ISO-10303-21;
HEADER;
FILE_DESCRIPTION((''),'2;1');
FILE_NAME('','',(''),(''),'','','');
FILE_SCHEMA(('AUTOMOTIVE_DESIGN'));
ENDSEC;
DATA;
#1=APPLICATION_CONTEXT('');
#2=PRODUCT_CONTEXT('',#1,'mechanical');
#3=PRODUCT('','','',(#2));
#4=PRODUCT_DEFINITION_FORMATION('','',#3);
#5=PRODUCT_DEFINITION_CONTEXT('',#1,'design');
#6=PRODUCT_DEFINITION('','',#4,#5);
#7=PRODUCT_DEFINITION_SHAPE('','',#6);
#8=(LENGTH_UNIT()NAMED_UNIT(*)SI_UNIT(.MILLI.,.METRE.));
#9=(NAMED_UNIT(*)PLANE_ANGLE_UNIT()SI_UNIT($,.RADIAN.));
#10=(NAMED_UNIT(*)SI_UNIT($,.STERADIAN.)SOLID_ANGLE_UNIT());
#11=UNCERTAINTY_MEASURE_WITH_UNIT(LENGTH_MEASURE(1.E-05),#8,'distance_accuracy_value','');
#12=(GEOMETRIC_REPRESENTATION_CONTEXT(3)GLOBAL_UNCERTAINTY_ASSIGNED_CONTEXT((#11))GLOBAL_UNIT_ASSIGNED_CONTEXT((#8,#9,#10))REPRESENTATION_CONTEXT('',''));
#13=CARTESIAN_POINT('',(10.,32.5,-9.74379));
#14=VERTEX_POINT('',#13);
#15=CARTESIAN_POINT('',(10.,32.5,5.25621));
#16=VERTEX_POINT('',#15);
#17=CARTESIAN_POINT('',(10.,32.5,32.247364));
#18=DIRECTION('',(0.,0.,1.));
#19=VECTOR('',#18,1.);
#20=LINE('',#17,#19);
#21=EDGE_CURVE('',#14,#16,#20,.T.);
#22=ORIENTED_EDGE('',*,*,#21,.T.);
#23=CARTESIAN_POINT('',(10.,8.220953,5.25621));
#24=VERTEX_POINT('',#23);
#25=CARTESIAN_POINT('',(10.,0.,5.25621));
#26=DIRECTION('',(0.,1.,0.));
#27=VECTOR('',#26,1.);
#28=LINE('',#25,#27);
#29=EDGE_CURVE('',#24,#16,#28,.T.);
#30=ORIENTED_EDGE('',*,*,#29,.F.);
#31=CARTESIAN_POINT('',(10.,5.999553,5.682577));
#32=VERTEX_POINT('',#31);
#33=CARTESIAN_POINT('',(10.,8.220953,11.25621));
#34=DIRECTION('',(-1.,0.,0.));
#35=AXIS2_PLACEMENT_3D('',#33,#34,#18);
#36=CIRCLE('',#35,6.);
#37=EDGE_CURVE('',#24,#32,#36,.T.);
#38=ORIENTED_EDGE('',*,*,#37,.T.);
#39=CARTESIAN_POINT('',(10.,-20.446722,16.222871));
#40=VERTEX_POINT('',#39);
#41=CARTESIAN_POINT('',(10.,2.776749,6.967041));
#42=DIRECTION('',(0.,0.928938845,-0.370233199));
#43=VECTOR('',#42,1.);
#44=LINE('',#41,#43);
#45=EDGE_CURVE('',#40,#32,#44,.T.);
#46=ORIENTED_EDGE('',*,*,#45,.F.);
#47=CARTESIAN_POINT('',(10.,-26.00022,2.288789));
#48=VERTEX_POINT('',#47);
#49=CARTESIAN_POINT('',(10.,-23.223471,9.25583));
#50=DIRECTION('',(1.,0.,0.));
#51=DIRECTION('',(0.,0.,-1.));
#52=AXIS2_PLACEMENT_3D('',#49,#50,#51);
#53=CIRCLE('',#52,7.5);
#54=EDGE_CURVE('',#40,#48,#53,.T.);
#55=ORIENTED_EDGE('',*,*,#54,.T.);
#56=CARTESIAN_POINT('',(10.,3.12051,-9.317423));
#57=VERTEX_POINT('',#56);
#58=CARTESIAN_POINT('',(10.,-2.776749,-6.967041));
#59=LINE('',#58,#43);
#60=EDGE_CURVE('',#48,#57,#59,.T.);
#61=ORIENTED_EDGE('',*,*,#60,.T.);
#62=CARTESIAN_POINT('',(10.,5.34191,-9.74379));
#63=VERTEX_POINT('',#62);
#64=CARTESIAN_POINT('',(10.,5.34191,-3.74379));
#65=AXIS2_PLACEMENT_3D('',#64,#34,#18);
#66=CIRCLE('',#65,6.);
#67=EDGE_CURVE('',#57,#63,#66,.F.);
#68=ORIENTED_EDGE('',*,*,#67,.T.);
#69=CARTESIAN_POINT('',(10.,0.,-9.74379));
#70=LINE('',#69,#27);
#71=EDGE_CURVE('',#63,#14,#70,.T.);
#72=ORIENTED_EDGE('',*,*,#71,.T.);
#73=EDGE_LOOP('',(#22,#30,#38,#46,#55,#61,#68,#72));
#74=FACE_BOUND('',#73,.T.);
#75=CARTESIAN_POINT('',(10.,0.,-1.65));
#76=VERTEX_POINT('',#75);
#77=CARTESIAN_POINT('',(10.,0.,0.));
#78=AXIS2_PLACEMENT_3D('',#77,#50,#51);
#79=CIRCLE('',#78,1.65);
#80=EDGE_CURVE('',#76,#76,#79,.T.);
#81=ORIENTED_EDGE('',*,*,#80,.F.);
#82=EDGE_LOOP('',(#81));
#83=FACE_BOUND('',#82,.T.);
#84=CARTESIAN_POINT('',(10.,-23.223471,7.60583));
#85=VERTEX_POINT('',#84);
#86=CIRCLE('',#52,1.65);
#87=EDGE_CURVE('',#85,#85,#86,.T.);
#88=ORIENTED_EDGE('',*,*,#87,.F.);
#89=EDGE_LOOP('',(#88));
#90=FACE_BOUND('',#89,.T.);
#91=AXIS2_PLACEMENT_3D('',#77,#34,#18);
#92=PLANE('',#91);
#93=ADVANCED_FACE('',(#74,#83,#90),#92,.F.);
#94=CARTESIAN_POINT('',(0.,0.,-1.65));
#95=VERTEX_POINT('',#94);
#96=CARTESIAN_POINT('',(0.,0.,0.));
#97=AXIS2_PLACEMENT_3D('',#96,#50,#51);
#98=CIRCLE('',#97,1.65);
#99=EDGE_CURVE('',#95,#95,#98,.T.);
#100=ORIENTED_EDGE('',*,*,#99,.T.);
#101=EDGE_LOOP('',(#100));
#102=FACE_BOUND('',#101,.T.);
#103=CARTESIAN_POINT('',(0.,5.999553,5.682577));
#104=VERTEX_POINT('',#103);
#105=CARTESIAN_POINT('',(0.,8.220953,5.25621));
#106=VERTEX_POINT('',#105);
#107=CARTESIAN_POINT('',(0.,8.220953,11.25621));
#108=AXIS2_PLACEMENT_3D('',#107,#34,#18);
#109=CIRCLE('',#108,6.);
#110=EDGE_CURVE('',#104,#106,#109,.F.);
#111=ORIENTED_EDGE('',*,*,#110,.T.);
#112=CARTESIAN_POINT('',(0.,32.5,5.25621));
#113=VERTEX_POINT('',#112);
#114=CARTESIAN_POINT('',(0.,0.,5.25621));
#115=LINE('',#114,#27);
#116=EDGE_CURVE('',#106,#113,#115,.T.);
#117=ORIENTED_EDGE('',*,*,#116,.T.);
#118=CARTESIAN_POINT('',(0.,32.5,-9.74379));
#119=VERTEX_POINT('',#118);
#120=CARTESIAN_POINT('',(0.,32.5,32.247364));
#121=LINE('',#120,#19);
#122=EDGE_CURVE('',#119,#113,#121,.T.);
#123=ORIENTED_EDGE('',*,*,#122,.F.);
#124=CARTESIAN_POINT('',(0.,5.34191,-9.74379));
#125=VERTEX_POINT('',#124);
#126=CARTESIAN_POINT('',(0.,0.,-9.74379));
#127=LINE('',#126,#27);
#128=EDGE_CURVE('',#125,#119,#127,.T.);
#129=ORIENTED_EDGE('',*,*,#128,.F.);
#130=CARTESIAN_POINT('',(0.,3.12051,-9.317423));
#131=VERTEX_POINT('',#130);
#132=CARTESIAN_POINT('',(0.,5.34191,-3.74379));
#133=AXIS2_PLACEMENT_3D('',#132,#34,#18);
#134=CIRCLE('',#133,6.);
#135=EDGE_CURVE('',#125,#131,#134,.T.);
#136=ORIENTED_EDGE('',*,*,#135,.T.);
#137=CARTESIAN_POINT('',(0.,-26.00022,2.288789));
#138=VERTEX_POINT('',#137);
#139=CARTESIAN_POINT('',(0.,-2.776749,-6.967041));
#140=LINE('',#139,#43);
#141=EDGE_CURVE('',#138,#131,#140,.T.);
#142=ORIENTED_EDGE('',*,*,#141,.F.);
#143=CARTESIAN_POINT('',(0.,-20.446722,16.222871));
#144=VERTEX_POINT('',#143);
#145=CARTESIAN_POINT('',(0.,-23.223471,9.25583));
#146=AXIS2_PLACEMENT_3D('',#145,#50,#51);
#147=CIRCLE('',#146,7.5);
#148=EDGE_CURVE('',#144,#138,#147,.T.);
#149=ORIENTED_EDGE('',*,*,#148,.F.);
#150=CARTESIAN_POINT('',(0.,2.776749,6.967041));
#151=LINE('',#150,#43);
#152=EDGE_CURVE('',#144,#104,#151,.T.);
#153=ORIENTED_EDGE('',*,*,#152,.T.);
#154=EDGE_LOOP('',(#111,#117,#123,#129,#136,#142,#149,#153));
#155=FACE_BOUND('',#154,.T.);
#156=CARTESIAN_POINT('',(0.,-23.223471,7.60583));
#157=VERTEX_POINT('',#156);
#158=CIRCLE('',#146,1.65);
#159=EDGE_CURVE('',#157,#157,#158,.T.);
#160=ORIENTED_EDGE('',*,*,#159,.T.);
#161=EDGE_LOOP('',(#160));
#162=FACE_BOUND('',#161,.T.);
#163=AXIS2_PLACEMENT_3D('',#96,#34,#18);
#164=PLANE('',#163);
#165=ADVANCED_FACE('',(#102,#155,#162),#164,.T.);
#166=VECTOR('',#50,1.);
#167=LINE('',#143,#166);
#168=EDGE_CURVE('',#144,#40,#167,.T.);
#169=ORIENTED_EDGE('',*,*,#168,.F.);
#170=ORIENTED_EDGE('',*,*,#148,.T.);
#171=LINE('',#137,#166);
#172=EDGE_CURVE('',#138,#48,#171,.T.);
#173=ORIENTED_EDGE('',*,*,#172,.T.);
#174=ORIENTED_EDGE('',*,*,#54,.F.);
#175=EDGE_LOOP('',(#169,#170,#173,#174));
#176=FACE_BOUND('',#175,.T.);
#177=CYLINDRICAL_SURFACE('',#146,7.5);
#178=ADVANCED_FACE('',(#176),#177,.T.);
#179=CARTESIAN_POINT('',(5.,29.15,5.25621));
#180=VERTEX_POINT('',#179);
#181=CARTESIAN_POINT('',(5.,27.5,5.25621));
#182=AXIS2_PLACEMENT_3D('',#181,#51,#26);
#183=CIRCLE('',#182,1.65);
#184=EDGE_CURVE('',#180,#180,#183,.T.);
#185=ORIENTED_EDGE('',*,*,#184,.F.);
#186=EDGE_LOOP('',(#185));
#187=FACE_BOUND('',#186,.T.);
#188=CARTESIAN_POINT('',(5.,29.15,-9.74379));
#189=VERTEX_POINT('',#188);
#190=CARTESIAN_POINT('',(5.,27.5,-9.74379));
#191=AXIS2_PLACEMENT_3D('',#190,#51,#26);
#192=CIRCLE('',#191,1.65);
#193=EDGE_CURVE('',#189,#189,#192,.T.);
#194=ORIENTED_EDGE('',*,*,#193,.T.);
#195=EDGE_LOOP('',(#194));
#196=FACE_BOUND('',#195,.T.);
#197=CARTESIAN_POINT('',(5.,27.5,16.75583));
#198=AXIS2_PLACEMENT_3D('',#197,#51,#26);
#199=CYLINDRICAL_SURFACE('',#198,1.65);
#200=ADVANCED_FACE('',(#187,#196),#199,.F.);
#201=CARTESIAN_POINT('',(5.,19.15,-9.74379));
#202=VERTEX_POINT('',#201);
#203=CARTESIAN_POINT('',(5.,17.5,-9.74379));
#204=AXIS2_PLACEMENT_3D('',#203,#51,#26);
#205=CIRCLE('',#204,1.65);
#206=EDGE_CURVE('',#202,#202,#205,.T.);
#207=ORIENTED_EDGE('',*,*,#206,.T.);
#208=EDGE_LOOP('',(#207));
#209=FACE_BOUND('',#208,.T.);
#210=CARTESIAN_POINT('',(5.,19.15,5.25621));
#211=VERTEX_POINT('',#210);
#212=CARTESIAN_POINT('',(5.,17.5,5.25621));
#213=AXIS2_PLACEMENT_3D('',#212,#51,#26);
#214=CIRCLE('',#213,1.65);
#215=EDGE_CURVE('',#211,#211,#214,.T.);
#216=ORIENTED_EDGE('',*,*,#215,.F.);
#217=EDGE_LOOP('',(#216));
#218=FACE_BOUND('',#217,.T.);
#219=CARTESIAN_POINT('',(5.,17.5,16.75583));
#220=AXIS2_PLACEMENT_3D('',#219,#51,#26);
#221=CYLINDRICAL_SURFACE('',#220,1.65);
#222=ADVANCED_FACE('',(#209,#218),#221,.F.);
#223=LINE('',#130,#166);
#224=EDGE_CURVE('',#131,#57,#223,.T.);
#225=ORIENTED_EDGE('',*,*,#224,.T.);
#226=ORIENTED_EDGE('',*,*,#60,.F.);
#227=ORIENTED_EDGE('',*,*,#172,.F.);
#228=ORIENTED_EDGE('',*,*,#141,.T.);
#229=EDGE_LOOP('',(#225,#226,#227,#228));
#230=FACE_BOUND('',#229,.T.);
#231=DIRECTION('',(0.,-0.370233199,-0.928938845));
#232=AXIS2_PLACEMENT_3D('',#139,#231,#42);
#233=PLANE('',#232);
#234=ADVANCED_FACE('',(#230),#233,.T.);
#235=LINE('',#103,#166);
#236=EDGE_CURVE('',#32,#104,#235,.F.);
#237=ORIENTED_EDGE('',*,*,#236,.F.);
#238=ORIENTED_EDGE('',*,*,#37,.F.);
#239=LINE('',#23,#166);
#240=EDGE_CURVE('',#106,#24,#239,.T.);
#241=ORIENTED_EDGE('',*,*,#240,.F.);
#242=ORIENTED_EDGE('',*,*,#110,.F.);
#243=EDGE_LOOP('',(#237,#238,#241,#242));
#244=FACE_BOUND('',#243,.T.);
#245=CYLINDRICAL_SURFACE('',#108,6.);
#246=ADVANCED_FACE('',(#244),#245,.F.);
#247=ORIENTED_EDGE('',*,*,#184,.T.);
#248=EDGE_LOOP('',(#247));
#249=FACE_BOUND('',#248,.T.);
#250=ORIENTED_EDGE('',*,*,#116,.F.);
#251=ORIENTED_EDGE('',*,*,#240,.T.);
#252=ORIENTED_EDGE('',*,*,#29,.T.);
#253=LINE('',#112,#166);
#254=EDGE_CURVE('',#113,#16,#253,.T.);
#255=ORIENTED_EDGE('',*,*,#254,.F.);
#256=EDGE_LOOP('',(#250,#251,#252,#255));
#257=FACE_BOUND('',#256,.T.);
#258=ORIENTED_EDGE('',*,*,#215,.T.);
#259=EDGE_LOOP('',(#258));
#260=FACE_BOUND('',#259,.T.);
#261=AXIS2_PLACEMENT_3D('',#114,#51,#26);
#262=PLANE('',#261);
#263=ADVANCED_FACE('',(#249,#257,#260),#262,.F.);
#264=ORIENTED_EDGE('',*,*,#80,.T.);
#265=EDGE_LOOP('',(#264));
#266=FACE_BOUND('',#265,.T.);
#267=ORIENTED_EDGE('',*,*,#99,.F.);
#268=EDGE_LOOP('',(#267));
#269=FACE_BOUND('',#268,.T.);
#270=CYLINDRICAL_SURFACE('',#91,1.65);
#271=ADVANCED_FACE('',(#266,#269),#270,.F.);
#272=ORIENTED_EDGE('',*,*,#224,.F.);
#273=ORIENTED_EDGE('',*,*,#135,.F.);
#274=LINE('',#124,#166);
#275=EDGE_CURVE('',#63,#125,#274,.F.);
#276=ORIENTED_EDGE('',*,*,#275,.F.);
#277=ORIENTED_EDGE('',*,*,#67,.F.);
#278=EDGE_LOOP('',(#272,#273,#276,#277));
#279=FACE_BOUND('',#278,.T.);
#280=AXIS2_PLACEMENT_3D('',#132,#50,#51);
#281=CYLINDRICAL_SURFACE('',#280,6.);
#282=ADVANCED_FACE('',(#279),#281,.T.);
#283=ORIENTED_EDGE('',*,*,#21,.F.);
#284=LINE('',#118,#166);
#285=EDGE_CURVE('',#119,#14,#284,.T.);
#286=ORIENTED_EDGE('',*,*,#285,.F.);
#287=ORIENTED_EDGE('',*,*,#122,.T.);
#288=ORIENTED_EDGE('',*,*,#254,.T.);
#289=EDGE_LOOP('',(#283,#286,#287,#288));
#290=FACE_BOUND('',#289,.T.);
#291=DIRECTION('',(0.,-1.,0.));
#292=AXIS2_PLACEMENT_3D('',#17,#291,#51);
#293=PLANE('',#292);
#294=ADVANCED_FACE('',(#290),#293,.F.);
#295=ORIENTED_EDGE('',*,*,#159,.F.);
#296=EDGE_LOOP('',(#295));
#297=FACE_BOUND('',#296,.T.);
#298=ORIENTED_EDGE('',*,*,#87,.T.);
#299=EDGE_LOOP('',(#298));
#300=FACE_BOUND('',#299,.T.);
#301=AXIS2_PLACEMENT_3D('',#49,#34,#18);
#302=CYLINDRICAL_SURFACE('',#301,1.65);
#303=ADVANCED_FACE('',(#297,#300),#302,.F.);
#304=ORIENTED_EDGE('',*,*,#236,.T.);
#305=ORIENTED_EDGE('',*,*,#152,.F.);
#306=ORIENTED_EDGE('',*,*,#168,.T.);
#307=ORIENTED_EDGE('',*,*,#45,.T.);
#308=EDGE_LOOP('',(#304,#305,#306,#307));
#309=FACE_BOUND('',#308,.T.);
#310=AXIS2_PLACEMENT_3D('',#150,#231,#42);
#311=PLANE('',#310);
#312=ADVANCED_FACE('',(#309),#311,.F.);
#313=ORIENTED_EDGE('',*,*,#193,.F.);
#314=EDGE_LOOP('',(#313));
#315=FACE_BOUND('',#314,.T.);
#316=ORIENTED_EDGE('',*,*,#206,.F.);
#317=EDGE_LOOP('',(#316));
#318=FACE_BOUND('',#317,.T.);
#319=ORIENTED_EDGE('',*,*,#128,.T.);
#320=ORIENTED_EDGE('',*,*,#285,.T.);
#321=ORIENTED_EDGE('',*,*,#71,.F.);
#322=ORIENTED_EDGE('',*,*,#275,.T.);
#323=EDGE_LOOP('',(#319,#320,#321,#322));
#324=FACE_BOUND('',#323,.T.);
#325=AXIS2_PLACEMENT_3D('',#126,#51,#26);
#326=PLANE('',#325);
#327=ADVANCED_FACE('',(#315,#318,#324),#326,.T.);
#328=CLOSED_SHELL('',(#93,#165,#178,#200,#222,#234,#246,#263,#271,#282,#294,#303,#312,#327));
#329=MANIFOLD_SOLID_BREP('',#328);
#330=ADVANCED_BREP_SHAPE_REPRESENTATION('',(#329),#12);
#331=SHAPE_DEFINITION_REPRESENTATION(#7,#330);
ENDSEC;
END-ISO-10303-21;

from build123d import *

# Parameters (mm, degrees)
SKETCH_1_W          = 64.494727868
SKETCH_1_H          = 65
SKETCH_1_R          = 1.65
EXTRUDE_1_DEPTH     = 10
SKETCH_2_R          = 1.65
CUT_EXTRUDE_1_DEPTH = 47.863018263
SKETCH_3_R          = 1.65
CUT_EXTRUDE_2_DEPTH = 44.110090197
FILLET_1_R          = 6


with BuildPart() as part:
    # ｽｹｯﾁ1 → ﾎﾞｽ - 押し出し1 (new body)
    with BuildSketch(Plane(origin=(0, 0, 0), x_dir=(0, 0, -1), z_dir=(1, 0, 0))):
        Rectangle(SKETCH_1_W, SKETCH_1_H)
        Circle(SKETCH_1_R, mode=Mode.SUBTRACT)
        with Locations((-9.255829981, -23.223471131)):
            Circle(SKETCH_1_R, mode=Mode.SUBTRACT)
        with Locations((-22.247363934, -11.404157049)):
            Circle(SKETCH_1_R, mode=Mode.SUBTRACT)
    extrude(amount=EXTRUDE_1_DEPTH)

    # ｽｹｯﾁ2 → ｶｯﾄ - 押し出し1 (cut, through all)
    with BuildSketch(Plane(origin=(10, 0, 0), x_dir=(0, 0, -1), z_dir=(1, 0, 0))):
        with BuildLine():
            Line((9.743790334, 32.5), (9.743790334, 4.190292345))
            Line((9.743790334, 4.190292345), (-2.288788642, -26.000220125))
            ThreePointArc((-2.288788642, -26.000220125), (-12.032578975, -30.19051247), (-16.22287132, -20.446722136))
            Line((-16.22287132, -20.446722136), (-5.256209666, 7.069335401))
            Line((-5.256209666, 7.069335401), (-5.256209666, 32.5))
            Line((-5.256209666, 32.5), (-32.247363934, 32.5))
            Line((-32.247363934, 32.5), (-32.247363934, -32.5))
            Line((-32.247363934, -32.5), (32.247363934, -32.5))
            Line((32.247363934, -32.5), (32.247363934, 32.5))
            Line((32.247363934, 32.5), (9.743790334, 32.5))
        make_face()
        with Locations((-22.247363934, -11.404157049)):
            Circle(SKETCH_2_R, mode=Mode.SUBTRACT)
    extrude(amount=-CUT_EXTRUDE_1_DEPTH, mode=Mode.SUBTRACT)

    # ｽｹｯﾁ3 → ｶｯﾄ - 押し出し2 (cut, through all)
    with BuildSketch(Plane(origin=(0, 0, -9.743790334), x_dir=(-1, 0, 0), z_dir=(0, 0, -1))):
        with Locations(Location((-5, 27.5, 0), (0, 0, 90))):
            Circle(SKETCH_3_R)
        with Locations(Location((-5, 17.5, 0), (0, 0, 90))):
            Circle(SKETCH_3_R)
    extrude(amount=-CUT_EXTRUDE_2_DEPTH, mode=Mode.SUBTRACT)

    # ﾌｨﾚｯﾄ1
    fillet_1_edges = [part.edges().sort_by_distance(p)[0] for p in [
        (5, 7.069335401, 5.256209666),
        (5, 4.190292345, -9.743790334),
    ]]
    fillet(fillet_1_edges, radius=FILLET_1_R)


solid = part.part
